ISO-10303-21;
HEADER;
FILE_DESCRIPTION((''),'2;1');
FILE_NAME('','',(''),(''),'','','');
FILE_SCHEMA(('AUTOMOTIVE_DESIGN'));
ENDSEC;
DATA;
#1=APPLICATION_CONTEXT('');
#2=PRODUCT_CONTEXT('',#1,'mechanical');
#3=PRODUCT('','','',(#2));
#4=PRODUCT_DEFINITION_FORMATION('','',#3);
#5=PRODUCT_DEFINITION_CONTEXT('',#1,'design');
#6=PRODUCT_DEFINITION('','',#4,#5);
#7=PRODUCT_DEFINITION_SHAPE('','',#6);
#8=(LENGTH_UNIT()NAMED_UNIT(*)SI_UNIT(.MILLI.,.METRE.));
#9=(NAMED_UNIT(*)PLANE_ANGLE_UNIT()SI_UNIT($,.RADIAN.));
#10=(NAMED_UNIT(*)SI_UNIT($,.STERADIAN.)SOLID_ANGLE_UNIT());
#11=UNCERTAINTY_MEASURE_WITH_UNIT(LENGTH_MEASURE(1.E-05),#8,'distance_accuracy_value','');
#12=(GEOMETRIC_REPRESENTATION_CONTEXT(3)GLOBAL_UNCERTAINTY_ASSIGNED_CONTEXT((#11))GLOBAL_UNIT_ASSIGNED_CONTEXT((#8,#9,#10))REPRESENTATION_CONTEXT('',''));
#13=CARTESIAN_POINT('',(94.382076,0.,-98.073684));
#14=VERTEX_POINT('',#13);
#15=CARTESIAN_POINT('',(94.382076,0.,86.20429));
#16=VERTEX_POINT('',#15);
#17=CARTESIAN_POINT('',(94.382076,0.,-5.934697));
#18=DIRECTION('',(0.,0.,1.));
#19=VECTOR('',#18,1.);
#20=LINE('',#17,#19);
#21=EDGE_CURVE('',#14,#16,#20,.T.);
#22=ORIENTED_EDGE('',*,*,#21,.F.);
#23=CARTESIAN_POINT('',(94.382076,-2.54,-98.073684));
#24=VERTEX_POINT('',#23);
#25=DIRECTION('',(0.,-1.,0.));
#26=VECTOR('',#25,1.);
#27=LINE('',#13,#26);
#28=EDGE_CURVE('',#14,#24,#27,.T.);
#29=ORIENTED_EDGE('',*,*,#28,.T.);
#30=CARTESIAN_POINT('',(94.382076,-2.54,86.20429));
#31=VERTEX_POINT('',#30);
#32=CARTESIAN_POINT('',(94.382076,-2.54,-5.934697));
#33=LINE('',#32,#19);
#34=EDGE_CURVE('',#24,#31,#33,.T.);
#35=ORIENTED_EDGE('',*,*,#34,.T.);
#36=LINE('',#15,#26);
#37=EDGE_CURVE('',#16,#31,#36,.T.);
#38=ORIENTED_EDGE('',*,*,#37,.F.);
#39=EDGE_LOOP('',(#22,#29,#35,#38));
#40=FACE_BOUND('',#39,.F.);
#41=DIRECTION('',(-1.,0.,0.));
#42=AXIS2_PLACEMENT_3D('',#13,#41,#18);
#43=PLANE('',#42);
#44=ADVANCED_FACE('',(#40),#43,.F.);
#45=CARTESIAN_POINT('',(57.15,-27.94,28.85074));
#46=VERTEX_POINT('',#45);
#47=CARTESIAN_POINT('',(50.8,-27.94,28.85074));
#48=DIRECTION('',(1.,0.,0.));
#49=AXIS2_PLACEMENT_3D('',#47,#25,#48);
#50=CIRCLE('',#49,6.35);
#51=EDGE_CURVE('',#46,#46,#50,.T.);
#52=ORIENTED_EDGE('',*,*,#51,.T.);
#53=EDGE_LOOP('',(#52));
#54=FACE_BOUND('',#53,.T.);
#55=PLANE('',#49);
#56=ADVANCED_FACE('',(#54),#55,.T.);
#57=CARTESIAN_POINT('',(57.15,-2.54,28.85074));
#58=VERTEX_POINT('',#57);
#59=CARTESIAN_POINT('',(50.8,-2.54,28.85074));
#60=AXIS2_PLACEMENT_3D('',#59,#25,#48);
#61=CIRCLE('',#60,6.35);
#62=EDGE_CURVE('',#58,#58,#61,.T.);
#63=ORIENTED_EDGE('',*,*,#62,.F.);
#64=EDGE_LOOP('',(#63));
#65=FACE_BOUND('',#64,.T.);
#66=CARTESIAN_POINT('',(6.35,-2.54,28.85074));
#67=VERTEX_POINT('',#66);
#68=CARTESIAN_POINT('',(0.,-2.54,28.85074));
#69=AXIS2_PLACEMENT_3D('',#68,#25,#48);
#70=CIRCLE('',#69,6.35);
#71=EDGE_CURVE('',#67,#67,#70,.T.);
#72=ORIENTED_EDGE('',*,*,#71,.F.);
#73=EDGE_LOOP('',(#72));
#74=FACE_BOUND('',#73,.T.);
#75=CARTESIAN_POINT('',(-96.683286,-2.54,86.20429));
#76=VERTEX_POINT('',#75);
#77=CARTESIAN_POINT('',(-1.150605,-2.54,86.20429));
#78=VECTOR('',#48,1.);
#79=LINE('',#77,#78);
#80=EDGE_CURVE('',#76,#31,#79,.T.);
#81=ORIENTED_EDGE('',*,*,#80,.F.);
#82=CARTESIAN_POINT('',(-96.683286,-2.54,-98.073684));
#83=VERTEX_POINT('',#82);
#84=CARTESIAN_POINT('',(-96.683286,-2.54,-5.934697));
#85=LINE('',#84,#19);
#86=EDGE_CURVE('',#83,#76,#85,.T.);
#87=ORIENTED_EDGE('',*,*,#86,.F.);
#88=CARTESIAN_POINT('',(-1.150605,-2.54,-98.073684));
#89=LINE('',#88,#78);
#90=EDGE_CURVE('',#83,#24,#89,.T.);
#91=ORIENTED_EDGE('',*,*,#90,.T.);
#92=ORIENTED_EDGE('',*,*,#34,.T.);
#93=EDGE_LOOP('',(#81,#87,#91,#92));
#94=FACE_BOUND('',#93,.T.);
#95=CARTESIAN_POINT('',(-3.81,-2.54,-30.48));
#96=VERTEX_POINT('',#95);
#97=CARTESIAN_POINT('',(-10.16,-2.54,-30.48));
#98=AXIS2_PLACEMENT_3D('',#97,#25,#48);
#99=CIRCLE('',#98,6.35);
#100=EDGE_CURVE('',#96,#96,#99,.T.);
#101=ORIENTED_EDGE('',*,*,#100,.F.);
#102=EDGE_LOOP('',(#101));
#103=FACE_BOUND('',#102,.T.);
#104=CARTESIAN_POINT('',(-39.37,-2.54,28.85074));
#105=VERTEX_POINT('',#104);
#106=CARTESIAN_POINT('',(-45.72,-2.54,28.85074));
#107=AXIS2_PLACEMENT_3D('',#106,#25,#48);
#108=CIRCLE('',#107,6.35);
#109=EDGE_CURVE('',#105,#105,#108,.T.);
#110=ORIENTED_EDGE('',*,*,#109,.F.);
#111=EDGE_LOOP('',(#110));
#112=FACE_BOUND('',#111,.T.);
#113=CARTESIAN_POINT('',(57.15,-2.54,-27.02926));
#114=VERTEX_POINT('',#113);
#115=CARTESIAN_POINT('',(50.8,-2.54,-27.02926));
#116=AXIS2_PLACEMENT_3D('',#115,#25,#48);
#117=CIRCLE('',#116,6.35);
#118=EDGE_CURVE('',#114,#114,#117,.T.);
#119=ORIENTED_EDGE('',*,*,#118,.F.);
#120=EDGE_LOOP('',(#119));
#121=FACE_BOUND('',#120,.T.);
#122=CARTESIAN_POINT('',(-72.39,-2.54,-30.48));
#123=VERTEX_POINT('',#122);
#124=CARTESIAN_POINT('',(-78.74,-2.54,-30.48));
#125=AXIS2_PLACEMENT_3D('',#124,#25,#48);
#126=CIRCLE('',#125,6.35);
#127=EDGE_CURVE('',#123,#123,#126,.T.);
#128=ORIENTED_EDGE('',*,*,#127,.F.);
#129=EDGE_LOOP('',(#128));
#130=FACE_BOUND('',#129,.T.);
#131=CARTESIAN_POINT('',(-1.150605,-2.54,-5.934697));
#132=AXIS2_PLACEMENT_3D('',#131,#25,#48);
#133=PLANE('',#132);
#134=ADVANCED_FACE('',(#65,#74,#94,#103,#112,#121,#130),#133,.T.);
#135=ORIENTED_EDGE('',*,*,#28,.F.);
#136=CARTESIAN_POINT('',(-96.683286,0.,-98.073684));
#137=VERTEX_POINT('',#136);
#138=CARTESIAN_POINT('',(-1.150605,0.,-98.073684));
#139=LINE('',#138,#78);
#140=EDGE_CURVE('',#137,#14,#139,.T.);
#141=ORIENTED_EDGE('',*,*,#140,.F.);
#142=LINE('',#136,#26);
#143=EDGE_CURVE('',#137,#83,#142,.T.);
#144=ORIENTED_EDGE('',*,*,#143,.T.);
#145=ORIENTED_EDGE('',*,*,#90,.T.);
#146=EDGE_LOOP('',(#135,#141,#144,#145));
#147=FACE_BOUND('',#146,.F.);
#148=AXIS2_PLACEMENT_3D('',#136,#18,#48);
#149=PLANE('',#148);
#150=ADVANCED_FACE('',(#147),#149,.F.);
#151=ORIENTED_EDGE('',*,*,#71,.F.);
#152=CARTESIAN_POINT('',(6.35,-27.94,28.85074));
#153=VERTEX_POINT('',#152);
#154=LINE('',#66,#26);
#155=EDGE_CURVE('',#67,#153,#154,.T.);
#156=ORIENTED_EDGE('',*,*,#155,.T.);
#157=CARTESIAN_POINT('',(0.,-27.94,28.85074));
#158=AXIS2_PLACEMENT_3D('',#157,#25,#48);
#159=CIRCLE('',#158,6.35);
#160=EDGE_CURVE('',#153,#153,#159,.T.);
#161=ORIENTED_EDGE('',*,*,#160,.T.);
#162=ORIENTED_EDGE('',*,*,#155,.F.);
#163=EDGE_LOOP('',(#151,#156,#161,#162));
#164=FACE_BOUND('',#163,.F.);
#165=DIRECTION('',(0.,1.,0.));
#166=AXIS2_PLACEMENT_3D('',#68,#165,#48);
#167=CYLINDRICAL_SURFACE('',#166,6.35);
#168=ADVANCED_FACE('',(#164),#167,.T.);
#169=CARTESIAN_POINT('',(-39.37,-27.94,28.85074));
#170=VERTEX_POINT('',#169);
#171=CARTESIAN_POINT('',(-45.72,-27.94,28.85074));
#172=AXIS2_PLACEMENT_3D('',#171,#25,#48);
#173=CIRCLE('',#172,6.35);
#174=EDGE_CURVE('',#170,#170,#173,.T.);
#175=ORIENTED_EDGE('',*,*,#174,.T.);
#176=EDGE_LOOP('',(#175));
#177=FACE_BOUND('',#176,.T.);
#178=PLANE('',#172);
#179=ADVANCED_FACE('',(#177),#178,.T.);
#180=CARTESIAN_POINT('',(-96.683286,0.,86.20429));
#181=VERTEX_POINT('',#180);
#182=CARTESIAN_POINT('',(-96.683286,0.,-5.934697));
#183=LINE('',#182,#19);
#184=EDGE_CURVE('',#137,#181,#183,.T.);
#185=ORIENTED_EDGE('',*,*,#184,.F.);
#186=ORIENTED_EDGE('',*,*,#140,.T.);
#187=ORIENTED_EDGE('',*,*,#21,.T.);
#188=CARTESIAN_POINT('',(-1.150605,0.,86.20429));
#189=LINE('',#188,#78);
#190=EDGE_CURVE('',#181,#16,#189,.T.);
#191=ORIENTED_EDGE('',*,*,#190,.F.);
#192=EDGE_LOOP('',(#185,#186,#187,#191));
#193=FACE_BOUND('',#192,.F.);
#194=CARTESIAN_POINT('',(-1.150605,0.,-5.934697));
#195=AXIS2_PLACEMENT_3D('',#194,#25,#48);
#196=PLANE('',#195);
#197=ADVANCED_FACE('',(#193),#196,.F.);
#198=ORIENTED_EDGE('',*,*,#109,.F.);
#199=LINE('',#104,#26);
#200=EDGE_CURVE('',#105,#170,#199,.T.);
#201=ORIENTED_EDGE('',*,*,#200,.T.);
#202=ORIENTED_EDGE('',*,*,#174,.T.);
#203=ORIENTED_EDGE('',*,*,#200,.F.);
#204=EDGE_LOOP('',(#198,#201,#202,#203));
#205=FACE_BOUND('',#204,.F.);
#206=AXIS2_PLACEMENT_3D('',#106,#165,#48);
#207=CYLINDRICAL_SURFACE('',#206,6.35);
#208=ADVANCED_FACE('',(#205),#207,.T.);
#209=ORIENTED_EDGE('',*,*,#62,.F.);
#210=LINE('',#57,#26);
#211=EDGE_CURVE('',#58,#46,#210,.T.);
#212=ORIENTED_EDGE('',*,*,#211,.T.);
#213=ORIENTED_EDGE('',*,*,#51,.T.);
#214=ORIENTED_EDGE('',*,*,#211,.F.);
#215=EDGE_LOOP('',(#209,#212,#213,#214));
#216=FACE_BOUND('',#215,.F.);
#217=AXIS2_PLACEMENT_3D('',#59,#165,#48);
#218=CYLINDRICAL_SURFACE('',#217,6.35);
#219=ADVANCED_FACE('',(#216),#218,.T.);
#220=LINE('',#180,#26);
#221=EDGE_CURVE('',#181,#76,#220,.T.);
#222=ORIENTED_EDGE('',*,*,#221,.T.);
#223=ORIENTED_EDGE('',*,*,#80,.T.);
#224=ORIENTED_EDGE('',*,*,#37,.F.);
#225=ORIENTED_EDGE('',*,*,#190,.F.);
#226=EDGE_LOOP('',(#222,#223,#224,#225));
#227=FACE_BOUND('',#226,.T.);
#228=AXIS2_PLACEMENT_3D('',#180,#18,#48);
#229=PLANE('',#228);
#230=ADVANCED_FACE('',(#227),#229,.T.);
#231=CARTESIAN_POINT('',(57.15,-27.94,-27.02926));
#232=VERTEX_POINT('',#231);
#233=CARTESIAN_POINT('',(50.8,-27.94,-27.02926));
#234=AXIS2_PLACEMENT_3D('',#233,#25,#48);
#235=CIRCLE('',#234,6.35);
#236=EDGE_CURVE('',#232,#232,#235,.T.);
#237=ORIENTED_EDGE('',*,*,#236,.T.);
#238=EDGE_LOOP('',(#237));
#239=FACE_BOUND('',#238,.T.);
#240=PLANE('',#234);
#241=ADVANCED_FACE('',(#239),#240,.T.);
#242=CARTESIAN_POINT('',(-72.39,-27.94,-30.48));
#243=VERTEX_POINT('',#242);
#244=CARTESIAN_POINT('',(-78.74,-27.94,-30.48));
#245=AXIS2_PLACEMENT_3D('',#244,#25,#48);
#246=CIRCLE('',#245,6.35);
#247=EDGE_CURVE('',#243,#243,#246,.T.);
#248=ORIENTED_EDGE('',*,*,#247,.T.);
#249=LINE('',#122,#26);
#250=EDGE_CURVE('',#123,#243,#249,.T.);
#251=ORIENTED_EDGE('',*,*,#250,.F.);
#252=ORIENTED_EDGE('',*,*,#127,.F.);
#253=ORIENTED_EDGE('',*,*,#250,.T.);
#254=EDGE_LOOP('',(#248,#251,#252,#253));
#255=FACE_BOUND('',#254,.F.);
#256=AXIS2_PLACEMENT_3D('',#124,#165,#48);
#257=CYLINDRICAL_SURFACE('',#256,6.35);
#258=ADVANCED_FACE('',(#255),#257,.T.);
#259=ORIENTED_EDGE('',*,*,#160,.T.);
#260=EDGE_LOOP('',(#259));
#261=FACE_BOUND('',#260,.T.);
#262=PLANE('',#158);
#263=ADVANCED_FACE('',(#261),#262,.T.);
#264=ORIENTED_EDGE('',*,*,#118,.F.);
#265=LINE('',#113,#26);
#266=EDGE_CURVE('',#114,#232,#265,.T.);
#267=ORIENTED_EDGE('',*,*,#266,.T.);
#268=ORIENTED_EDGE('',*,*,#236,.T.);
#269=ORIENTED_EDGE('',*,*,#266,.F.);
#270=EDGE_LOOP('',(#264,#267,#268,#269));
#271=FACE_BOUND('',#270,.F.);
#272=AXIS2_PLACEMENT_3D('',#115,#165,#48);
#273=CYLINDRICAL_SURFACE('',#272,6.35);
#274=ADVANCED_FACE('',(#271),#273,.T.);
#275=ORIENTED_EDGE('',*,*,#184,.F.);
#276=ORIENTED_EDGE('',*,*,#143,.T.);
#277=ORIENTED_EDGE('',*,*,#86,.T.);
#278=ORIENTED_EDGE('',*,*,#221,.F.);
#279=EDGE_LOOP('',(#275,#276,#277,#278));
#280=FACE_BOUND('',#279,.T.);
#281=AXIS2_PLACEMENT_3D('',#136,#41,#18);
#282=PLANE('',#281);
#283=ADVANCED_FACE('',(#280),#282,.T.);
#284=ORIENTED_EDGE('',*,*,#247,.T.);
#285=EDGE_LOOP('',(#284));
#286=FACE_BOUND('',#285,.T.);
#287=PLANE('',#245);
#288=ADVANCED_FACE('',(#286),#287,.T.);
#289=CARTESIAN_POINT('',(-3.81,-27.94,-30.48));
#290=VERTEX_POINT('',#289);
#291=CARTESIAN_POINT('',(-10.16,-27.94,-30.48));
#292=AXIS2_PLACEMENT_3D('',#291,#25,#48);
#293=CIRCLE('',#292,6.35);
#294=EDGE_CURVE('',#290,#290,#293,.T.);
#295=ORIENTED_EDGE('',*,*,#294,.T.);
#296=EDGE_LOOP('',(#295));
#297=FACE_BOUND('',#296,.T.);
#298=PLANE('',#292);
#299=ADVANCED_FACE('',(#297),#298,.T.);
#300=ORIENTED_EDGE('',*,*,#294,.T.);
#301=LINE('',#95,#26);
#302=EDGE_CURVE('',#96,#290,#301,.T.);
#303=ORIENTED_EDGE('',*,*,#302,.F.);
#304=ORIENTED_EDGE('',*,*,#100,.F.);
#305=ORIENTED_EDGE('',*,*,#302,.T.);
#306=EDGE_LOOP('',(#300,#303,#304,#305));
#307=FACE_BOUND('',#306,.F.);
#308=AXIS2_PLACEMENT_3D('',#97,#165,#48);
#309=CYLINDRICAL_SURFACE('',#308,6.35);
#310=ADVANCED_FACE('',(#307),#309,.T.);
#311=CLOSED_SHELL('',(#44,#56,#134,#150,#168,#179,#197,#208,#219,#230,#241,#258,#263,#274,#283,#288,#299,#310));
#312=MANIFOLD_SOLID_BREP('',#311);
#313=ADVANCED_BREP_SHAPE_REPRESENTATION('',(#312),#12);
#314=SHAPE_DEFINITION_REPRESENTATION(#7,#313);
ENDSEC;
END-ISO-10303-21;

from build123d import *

# Parameters (mm, degrees)
F0_W     = 191.065363
F0_H     = 184.277974
F1_DEPTH = 2.54
F2_R     = 6.35
F3_DEPTH = 25.4
F4_DEPTH = 25.4
F5_DEPTH = 25.4
F6_DEPTH = 25.4
F7_DEPTH = 25.4


with BuildPart() as f1:
    # F0 (on Front) → F1 (new body)
    with BuildSketch(Plane.XZ):
        with Locations((-1.150605, -5.934697)):
            Rectangle(F0_W, F0_H)
    extrude(amount=F1_DEPTH)

    # F2 (on face) → F3 (join)
    with BuildSketch(Plane.XZ.offset(2.54)):
        with Locations((-45.72, 28.85074)):
            Circle(F2_R)
    extrude(amount=F3_DEPTH)

    # F2 (on face) → F4 (join)
    with BuildSketch(Plane.XZ.offset(2.54)):
        with Locations((0, 28.85074)):
            Circle(F2_R)
        with Locations((50.8, 28.85074)):
            Circle(F2_R)
    extrude(amount=F4_DEPTH)

    # F2 (on face) → F5 (join)
    with BuildSketch(Plane.XZ.offset(2.54)):
        with Locations((-78.74, -30.48)):
            Circle(F2_R)
    extrude(amount=F5_DEPTH)

    # F2 (on face) → F6 (join)
    with BuildSketch(Plane.XZ.offset(2.54)):
        with Locations((50.8, -27.02926)):
            Circle(F2_R)
    extrude(amount=F6_DEPTH)

    # F2 (on face) → F7 (join)
    with BuildSketch(Plane.XZ.offset(2.54)):
        with Locations((-10.16, -30.48)):
            Circle(F2_R)
    extrude(amount=F7_DEPTH)


solid = f1.part
